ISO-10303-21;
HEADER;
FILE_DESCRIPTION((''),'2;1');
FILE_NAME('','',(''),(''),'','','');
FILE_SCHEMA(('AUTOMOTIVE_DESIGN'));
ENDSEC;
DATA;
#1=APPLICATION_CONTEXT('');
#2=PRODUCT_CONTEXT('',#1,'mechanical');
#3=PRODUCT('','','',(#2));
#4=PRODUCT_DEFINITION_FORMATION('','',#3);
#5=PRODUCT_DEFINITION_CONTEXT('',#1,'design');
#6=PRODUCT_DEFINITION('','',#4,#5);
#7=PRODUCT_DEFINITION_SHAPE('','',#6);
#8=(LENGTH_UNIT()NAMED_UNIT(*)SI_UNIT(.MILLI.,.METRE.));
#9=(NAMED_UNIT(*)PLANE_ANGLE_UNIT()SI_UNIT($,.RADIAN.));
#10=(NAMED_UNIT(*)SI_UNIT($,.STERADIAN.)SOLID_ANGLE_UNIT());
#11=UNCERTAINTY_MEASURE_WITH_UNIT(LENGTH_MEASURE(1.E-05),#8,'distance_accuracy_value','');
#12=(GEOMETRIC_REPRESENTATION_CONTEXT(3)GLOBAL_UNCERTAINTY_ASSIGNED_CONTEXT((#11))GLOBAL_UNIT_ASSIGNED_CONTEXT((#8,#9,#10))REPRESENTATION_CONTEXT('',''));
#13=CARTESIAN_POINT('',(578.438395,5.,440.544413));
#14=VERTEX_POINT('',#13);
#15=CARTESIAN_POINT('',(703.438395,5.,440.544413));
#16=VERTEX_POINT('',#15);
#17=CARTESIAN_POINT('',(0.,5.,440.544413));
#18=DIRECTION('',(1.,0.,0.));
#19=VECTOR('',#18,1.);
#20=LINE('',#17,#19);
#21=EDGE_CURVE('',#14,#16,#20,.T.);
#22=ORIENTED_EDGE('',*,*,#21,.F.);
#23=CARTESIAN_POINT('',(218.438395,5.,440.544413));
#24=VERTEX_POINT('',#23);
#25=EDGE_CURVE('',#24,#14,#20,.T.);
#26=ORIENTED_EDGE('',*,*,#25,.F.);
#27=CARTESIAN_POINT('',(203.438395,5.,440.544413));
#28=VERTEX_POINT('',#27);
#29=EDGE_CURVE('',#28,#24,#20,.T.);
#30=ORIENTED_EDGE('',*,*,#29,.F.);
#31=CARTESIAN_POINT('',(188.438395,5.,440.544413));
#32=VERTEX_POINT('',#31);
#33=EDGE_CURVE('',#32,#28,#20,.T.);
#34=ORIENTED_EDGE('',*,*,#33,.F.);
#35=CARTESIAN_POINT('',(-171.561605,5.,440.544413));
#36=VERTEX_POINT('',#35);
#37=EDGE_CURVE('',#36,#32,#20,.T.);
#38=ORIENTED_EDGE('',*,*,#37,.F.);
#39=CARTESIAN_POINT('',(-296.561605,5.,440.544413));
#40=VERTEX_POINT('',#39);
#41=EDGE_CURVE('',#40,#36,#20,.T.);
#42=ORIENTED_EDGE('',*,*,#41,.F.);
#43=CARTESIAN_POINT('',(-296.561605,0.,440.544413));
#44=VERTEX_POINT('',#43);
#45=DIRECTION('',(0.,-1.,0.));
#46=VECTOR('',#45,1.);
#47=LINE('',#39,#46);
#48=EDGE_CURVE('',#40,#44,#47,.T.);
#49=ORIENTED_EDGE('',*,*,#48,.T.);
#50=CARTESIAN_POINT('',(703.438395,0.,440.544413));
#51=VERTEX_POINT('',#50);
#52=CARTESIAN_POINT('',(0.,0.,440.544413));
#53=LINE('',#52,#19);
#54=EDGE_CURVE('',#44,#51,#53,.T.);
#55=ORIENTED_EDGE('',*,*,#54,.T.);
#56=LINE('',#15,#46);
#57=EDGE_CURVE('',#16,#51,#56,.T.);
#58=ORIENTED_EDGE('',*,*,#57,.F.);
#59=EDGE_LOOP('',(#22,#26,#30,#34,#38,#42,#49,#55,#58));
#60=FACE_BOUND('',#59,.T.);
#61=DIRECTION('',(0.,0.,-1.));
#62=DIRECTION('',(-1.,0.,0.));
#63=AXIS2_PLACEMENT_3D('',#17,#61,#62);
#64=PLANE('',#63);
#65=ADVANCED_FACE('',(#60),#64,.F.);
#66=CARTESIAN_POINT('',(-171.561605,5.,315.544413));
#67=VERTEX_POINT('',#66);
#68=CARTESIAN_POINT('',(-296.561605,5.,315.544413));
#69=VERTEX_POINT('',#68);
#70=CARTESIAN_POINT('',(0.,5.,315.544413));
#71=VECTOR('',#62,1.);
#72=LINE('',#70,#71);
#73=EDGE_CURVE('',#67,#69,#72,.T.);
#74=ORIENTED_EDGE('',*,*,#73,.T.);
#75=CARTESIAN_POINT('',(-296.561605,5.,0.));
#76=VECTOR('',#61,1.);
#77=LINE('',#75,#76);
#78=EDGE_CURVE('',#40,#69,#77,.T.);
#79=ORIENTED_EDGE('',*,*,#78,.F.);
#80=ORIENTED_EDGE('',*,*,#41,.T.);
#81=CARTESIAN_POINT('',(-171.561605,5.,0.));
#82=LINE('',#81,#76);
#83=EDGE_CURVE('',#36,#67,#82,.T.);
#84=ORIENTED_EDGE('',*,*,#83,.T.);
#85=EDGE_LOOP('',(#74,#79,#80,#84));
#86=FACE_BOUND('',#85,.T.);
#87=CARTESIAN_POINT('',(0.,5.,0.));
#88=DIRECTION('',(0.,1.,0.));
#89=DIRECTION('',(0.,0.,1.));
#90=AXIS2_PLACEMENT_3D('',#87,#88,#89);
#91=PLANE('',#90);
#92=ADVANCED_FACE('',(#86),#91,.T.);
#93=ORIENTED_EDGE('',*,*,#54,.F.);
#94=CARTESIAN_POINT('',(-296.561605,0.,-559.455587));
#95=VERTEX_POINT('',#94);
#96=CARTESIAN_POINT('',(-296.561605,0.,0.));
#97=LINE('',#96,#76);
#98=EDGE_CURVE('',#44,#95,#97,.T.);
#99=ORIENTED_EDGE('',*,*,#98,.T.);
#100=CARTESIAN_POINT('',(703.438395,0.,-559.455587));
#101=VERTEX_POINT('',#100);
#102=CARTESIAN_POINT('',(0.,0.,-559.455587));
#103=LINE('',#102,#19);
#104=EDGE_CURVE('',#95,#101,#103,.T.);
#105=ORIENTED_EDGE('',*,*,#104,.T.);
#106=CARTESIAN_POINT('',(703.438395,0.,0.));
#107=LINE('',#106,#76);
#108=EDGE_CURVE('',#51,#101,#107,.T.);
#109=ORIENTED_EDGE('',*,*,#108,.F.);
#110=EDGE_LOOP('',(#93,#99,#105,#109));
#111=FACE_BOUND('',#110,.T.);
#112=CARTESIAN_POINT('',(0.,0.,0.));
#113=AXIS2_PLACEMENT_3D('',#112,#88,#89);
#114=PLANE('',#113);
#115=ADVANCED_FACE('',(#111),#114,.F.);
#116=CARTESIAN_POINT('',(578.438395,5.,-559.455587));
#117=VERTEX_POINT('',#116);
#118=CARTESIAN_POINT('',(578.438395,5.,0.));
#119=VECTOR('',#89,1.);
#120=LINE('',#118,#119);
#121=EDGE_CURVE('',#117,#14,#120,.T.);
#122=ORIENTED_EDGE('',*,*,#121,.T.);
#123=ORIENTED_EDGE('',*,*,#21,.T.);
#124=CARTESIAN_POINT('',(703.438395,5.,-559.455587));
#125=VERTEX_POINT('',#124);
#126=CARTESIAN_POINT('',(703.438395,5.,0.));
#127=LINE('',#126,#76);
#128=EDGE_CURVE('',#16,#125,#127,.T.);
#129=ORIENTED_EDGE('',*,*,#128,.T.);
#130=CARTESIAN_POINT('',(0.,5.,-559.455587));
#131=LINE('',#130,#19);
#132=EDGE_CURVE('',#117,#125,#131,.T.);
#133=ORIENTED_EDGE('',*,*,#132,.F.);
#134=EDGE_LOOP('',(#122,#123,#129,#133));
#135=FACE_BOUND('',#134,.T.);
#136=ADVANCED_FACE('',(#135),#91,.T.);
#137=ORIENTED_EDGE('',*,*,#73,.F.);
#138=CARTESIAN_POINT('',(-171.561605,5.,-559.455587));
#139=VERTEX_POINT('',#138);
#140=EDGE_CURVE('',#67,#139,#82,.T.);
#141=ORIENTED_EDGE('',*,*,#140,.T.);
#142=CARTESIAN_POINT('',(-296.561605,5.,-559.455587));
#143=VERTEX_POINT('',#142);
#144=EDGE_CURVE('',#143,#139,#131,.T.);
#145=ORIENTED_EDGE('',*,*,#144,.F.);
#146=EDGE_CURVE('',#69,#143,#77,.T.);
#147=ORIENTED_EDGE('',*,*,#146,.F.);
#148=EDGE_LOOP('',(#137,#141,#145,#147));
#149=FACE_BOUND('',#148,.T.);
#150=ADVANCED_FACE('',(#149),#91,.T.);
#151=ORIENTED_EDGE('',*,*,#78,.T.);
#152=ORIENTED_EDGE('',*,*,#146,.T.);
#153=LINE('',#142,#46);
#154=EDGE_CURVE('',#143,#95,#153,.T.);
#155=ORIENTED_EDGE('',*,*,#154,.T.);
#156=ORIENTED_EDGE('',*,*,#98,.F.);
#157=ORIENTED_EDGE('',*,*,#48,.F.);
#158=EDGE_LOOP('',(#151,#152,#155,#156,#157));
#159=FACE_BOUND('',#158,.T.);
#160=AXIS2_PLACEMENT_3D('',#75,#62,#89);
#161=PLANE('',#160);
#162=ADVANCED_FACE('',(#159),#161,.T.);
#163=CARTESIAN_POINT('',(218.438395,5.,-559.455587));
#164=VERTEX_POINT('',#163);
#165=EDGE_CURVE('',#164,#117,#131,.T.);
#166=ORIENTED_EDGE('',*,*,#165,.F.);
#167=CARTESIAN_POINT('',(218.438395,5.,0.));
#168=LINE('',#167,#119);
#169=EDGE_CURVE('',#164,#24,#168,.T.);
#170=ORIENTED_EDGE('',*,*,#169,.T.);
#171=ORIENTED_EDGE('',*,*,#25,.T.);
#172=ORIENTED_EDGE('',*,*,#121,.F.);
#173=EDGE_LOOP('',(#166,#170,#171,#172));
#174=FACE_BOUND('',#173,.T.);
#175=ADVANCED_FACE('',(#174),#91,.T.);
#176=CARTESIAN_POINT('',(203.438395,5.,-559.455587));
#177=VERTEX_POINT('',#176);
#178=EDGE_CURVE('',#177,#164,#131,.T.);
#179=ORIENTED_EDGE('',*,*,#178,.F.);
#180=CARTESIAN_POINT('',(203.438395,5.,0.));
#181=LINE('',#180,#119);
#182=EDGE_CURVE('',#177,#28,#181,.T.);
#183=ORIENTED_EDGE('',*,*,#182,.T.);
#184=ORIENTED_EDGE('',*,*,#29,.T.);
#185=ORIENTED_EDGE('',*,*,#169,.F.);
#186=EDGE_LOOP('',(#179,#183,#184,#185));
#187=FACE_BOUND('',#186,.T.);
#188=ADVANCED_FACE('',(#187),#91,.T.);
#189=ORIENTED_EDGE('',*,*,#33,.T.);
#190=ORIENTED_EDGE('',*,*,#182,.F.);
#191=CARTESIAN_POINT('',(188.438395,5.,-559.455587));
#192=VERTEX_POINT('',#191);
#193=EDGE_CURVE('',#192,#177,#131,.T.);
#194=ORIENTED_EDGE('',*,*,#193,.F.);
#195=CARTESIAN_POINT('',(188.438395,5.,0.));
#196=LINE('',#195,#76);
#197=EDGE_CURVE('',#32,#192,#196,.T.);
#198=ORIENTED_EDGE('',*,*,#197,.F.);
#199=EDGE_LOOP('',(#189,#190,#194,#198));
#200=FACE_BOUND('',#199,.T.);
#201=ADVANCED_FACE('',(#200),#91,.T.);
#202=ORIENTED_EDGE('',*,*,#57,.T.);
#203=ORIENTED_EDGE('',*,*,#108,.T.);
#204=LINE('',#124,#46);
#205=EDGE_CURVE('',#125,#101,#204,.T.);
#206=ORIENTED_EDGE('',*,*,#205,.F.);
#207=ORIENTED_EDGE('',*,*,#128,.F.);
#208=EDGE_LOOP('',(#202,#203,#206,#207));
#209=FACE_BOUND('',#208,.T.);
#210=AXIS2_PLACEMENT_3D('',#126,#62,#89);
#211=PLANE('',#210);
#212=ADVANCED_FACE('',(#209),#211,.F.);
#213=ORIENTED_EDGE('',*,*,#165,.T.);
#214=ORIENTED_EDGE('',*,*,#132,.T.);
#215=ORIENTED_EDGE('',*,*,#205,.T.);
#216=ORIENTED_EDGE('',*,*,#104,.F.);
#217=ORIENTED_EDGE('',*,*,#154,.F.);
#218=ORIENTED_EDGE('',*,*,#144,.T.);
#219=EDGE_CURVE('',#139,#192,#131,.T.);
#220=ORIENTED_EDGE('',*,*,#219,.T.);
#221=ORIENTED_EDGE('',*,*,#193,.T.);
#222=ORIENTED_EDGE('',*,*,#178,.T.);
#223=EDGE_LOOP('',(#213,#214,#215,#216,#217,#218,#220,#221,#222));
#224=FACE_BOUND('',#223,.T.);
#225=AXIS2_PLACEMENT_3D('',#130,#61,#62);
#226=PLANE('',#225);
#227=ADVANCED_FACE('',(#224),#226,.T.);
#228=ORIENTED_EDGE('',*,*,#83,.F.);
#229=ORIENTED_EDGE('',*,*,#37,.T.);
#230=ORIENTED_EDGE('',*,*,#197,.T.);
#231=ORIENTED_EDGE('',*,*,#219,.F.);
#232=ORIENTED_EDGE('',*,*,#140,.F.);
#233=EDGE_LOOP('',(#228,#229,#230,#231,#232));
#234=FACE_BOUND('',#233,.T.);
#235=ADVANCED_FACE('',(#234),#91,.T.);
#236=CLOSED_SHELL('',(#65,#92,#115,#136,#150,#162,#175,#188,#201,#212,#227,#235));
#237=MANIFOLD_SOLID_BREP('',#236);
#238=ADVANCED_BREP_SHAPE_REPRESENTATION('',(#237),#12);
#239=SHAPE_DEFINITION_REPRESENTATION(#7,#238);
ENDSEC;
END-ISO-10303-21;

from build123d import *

# Parameters (mm, degrees)
SKETCH8_W            = 1000
SKETCH8_H            = 1000
BOSS_EXTRUDE18_DEPTH = 5


with BuildPart() as part:
    # Sketch8 → Boss-Extrude18 (new body)
    with BuildSketch(Plane(origin=(0, 0, 0), x_dir=(1, 0, 0), z_dir=(0, 1, 0))):
        with Locations((203.438395415, 59.455587393)):
            Rectangle(SKETCH8_W, SKETCH8_H)
    extrude(amount=BOSS_EXTRUDE18_DEPTH)


solid = part.part
